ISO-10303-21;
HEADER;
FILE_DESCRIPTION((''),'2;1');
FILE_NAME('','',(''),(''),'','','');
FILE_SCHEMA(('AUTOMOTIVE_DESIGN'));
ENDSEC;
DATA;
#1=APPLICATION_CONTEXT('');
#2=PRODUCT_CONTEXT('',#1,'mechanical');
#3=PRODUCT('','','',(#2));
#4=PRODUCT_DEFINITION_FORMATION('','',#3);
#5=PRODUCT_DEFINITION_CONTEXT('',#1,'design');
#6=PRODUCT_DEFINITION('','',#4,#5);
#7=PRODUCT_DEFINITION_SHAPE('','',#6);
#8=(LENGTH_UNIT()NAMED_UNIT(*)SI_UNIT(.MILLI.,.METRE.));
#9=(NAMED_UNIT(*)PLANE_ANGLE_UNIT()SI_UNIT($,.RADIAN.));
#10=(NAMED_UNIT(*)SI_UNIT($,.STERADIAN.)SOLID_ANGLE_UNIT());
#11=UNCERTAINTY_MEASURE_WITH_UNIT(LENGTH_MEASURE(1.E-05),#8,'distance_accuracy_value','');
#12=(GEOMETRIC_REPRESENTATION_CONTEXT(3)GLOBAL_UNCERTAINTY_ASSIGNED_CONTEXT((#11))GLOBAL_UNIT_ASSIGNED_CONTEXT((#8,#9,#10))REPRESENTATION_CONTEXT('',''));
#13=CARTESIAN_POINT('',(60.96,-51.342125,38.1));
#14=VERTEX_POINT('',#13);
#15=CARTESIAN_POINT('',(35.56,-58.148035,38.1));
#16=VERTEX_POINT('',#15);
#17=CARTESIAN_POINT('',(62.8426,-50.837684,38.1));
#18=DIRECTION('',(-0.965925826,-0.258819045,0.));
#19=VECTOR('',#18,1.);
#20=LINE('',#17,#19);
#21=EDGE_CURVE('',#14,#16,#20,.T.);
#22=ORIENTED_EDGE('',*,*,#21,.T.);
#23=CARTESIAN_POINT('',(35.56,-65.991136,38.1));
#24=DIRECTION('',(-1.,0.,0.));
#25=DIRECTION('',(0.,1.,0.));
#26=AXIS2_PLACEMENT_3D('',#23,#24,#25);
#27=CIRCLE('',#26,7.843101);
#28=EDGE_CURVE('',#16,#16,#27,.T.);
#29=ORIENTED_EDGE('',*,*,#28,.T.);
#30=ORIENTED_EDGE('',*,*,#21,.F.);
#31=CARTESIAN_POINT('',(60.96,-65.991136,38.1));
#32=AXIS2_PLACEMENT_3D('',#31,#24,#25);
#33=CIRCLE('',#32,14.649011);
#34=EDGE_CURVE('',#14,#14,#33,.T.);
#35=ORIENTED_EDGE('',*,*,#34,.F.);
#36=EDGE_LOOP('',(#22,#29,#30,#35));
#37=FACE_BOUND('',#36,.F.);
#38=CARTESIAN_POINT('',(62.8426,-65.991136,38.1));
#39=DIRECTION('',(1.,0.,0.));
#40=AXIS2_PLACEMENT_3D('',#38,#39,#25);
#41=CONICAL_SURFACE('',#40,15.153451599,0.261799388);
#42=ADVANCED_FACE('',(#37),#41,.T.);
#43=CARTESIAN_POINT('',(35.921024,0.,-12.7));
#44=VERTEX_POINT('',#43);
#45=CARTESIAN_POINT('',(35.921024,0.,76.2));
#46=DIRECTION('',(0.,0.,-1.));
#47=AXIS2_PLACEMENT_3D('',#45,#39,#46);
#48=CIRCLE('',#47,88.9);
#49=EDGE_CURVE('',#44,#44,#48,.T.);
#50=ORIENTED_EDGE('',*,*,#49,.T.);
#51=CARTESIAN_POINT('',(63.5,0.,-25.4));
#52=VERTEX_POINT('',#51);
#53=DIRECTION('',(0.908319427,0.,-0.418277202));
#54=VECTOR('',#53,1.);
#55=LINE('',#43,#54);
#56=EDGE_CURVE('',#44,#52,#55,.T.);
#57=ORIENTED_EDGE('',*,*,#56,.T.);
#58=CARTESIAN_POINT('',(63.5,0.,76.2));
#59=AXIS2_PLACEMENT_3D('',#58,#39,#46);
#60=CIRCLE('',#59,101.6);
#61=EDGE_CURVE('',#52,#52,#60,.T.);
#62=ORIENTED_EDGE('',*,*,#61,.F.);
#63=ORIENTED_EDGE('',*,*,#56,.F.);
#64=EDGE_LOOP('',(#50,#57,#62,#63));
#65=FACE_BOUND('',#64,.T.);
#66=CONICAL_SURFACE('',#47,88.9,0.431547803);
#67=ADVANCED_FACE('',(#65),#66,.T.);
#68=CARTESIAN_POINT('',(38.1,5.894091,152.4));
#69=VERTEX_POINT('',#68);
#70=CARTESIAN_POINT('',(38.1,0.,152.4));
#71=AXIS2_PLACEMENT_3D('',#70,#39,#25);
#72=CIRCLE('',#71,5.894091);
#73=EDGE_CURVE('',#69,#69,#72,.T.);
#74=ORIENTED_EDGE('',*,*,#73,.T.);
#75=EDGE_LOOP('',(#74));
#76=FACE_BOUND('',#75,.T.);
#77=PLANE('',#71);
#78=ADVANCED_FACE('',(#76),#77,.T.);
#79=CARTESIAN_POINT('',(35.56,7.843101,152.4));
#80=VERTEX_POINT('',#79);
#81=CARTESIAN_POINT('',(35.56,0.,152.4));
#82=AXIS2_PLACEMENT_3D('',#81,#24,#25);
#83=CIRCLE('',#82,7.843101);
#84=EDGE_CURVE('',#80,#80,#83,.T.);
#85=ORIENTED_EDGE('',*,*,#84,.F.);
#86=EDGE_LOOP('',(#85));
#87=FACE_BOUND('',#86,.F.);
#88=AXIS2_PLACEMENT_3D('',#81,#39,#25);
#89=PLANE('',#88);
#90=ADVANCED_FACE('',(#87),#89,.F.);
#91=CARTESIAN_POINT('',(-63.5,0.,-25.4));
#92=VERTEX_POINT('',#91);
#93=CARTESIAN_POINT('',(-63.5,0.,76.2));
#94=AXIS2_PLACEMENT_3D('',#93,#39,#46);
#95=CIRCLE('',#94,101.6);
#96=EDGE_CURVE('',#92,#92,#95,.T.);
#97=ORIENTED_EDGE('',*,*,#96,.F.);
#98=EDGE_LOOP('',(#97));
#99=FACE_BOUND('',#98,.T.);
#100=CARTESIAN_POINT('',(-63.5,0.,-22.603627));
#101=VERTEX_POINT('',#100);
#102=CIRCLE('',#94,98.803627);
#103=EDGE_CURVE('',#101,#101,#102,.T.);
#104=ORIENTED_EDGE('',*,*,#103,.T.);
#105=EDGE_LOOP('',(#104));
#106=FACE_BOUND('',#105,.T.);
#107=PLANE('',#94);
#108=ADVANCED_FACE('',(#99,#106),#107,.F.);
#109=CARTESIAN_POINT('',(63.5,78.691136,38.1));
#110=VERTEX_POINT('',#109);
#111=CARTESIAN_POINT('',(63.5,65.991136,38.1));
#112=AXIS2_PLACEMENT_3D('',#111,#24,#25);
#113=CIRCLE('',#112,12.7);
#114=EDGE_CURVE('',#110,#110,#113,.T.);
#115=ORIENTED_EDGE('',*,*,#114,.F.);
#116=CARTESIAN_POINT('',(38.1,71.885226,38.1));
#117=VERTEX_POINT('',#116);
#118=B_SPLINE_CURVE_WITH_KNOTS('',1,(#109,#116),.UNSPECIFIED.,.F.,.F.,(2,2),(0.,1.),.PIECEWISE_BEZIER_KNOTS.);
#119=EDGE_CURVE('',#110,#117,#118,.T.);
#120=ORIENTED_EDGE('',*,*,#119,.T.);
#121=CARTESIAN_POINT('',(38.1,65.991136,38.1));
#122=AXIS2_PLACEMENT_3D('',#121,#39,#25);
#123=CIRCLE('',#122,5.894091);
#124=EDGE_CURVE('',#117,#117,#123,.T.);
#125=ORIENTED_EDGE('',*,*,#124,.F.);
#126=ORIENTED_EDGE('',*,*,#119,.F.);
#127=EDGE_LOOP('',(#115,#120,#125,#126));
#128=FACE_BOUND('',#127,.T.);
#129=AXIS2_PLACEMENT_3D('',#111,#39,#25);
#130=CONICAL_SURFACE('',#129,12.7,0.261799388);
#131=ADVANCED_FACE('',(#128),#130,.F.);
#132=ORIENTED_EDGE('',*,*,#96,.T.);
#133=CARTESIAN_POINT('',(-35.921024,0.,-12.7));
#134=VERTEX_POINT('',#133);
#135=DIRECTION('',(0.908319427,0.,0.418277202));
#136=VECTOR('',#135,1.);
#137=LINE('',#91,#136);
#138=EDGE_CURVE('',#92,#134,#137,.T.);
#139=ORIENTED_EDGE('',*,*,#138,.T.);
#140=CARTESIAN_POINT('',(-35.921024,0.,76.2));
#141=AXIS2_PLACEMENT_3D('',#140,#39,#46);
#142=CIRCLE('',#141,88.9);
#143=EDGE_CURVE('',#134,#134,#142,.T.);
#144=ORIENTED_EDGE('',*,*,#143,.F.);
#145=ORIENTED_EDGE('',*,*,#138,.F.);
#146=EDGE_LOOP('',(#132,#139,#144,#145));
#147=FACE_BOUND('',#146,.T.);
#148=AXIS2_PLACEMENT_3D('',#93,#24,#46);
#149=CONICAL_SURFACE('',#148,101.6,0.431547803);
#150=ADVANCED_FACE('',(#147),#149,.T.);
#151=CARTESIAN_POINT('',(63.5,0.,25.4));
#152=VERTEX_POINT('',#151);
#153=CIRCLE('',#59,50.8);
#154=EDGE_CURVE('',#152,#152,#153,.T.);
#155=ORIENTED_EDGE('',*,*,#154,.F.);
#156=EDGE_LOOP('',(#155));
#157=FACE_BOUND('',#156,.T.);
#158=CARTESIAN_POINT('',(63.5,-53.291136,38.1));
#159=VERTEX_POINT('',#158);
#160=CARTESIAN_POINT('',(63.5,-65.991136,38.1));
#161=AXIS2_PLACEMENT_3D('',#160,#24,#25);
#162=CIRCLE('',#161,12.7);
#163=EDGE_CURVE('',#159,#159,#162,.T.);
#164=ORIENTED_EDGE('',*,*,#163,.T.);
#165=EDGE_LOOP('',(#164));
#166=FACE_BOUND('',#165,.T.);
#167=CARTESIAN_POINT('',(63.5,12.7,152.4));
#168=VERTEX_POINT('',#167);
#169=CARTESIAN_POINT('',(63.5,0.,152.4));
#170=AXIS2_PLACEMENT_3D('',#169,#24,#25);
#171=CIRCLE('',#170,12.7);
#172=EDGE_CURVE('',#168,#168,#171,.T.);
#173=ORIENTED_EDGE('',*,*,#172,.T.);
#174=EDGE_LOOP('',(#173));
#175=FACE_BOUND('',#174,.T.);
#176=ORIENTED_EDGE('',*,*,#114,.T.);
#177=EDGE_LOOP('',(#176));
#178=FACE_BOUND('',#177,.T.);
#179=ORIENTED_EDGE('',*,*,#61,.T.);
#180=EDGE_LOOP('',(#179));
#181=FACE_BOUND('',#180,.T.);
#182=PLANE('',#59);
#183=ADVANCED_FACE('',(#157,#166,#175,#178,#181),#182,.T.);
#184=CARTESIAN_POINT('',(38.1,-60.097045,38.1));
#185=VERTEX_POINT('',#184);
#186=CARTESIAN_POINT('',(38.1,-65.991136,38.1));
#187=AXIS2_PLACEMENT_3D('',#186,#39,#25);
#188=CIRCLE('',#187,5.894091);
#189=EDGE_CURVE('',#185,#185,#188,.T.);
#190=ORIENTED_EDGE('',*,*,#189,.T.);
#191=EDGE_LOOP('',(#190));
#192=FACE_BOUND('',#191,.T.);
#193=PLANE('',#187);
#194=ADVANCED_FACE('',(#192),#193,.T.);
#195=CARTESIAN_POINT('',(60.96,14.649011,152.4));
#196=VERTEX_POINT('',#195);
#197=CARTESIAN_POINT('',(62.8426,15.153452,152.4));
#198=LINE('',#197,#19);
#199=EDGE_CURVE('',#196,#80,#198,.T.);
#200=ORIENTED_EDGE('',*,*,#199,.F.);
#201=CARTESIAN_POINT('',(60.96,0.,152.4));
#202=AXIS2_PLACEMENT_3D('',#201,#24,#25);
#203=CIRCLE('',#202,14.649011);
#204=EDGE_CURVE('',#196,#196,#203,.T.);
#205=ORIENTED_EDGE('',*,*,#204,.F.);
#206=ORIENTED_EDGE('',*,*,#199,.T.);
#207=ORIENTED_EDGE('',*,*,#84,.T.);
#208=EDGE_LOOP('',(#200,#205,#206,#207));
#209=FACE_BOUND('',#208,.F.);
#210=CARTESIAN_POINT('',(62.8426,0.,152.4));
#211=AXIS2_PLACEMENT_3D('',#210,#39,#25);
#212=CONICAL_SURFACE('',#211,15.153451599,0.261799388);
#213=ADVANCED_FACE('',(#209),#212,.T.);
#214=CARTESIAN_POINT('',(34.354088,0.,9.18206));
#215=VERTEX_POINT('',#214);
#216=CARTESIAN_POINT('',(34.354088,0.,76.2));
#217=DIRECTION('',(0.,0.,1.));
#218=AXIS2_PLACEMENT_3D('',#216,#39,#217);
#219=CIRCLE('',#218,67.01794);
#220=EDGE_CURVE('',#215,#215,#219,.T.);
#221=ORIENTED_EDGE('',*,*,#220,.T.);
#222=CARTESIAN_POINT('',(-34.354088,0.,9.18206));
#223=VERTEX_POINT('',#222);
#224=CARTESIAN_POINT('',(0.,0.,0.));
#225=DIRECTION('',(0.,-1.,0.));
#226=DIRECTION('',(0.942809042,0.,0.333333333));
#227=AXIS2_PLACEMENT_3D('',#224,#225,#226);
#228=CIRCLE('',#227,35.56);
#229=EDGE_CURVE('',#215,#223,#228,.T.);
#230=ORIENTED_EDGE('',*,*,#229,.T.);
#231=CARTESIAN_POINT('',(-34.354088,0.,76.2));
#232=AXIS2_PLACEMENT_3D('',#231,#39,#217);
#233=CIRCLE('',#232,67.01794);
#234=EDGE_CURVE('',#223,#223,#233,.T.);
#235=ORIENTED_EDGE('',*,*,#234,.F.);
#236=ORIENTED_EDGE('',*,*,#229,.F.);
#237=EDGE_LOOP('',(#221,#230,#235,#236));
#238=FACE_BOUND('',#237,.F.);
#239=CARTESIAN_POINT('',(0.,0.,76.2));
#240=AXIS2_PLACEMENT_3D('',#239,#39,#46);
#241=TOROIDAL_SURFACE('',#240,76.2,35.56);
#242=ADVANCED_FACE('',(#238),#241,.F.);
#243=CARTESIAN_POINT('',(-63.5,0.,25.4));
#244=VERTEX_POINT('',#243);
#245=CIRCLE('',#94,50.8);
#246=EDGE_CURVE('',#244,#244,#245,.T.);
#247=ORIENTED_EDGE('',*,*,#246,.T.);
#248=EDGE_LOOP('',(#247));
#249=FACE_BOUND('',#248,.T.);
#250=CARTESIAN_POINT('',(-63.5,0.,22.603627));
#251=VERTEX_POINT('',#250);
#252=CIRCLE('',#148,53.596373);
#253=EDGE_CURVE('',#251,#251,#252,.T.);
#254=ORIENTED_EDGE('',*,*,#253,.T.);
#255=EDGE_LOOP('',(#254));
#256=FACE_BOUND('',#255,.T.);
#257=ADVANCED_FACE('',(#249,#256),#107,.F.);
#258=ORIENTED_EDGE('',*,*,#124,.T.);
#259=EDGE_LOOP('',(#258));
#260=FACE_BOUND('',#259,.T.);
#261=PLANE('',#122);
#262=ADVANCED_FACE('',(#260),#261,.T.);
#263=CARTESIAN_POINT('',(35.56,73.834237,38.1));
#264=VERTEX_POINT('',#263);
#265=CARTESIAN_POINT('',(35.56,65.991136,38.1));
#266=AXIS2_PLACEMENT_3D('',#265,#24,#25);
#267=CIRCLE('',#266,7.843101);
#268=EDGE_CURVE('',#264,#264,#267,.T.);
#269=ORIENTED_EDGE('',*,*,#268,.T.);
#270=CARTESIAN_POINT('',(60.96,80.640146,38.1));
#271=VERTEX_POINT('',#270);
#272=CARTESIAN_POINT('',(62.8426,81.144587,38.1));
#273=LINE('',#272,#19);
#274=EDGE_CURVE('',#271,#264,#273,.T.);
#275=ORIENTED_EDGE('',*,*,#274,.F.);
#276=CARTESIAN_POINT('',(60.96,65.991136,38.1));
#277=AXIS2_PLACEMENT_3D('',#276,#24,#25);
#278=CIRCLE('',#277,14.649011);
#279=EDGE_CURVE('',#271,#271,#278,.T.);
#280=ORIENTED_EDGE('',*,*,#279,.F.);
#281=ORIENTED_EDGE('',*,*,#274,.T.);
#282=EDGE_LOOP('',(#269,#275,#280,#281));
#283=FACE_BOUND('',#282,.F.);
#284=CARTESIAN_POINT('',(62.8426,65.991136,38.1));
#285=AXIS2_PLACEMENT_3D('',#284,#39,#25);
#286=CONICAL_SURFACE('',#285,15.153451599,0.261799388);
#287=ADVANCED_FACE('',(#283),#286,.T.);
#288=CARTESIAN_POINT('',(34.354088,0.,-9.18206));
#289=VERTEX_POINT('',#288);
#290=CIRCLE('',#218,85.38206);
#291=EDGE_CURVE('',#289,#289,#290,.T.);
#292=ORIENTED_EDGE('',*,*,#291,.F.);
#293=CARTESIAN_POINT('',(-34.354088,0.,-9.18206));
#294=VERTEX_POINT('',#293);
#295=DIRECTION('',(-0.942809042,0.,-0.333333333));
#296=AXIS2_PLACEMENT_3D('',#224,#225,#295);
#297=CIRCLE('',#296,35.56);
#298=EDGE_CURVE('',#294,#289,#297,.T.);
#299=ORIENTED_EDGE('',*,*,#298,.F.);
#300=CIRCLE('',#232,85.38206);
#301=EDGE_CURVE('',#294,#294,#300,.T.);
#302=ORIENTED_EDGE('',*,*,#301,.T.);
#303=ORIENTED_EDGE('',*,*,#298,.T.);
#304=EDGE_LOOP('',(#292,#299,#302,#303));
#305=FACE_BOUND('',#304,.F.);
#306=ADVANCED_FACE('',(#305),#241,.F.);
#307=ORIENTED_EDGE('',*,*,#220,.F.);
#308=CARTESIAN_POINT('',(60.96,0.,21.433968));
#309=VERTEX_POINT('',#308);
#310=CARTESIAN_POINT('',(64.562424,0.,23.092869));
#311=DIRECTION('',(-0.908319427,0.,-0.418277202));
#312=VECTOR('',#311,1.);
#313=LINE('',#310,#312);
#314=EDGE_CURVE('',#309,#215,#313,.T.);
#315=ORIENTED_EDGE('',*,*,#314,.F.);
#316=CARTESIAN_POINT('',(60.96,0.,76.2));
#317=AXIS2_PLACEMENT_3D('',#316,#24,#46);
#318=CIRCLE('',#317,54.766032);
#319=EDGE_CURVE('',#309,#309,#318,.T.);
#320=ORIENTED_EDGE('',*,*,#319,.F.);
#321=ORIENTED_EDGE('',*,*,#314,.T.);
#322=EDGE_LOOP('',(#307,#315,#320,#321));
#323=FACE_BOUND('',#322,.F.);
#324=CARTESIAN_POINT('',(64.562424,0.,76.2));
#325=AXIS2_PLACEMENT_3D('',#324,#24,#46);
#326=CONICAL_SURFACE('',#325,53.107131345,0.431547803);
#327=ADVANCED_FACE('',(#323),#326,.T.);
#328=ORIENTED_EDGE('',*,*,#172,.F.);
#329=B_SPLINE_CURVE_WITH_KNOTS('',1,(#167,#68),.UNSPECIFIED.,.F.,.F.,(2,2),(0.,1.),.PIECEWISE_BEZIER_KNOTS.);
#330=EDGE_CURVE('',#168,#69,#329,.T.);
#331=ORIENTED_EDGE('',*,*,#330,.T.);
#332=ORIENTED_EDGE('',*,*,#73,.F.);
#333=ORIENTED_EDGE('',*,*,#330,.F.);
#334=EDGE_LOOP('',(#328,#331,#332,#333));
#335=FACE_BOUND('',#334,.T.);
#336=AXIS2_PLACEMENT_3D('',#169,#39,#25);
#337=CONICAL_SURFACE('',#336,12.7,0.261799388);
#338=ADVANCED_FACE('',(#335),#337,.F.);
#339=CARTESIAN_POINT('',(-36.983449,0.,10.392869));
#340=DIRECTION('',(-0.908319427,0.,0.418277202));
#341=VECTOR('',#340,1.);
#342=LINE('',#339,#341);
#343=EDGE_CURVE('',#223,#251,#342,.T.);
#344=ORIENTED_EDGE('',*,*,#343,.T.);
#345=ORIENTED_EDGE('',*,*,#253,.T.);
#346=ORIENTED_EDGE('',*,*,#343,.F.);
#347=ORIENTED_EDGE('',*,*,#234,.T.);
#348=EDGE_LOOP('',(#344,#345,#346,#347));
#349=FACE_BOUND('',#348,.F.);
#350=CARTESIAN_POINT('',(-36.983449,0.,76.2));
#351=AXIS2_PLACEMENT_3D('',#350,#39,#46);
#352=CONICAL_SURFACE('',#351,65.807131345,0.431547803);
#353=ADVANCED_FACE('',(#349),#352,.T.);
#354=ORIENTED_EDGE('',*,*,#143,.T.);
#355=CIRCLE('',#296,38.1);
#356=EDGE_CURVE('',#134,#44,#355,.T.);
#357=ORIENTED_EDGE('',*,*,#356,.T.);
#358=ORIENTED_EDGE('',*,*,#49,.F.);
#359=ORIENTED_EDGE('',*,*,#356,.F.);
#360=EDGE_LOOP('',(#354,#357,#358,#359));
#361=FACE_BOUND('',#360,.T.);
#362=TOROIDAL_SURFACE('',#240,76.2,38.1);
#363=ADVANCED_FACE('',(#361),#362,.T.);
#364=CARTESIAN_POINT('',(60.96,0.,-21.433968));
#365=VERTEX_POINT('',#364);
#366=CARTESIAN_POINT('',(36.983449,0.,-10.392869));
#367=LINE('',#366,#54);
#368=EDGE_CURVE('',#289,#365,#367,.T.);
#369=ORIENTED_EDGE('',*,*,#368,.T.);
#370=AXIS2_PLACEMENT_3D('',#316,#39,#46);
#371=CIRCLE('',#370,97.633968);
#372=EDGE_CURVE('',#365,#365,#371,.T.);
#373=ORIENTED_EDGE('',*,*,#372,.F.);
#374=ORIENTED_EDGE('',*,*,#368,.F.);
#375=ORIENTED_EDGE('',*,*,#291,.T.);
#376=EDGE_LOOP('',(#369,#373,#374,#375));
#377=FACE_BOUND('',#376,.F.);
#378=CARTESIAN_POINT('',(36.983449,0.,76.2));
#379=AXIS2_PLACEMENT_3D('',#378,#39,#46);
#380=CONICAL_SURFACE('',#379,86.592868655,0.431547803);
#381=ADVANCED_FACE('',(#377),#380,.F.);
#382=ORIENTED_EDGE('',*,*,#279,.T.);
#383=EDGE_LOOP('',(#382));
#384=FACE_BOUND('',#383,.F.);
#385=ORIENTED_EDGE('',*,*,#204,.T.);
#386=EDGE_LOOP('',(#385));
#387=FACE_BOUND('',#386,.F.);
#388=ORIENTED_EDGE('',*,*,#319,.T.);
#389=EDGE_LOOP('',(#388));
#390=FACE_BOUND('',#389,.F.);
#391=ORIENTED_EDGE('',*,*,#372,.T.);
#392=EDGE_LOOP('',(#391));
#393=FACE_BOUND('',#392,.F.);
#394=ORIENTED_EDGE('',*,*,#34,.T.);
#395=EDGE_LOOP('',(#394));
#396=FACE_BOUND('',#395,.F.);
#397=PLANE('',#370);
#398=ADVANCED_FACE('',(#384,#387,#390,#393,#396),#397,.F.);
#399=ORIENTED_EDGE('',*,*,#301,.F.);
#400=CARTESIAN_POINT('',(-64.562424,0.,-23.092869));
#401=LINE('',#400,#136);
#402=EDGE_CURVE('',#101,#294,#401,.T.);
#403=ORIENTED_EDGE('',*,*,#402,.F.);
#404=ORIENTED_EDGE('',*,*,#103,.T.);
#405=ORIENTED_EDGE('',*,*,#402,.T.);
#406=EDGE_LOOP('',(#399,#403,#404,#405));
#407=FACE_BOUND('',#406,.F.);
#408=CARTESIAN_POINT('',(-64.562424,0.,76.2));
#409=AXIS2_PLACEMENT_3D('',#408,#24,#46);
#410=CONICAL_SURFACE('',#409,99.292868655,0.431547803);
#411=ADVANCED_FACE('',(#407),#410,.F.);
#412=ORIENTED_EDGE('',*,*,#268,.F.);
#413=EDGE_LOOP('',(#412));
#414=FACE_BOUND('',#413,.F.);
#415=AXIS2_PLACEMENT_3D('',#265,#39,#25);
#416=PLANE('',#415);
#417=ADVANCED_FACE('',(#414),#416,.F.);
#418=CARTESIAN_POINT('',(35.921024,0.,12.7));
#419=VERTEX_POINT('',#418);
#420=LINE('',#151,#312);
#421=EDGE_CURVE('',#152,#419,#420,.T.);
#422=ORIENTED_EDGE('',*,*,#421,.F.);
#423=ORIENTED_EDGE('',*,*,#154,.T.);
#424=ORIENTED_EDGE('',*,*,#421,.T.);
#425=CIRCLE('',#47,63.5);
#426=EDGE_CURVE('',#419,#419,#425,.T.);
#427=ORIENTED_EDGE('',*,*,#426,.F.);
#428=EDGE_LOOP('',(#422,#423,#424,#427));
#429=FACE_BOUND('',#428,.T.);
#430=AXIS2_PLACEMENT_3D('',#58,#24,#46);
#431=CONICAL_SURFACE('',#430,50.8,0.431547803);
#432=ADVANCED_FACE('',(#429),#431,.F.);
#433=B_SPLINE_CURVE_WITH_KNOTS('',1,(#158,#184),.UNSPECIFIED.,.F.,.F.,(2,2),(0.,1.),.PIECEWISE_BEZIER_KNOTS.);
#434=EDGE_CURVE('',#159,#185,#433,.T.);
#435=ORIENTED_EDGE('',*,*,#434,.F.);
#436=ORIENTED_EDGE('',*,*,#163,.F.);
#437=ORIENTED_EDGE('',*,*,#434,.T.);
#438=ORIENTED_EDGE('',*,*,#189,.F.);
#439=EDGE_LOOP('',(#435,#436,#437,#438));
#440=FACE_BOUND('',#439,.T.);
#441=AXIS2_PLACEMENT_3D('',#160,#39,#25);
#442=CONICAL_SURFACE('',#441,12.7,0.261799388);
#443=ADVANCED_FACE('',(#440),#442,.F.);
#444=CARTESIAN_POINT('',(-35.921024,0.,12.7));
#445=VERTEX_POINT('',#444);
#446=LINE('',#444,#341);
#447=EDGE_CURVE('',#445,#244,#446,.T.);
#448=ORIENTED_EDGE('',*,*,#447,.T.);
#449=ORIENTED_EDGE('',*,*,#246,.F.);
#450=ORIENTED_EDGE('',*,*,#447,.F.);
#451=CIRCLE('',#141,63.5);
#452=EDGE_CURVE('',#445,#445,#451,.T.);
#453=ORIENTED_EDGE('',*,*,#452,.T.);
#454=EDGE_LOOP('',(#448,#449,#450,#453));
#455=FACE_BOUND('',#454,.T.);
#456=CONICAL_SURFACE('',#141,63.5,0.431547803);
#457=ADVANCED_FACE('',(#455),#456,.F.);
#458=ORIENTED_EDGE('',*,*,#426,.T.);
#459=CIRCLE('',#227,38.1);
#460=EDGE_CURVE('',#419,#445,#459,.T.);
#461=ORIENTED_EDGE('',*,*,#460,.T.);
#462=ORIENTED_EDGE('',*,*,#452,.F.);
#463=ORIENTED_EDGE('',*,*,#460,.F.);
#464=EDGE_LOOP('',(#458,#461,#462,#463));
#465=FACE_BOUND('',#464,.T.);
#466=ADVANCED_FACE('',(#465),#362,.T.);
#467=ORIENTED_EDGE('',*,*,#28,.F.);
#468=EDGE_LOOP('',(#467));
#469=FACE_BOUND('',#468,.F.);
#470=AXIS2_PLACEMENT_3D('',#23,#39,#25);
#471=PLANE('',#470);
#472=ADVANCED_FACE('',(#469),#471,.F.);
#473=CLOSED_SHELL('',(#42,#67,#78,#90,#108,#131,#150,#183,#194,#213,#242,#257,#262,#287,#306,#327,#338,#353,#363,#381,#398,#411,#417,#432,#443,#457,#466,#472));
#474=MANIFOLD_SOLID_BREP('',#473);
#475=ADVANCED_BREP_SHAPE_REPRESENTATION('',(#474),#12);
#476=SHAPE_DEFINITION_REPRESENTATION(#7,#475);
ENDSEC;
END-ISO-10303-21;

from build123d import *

# Parameters (mm, degrees)
F2_R     = 12.7
F3_DEPTH = 25.4
F3_TAPER = 15
F4_T     = -2.54


with BuildPart() as f1:
    # F0 (on Front) → F1 (revolve)
    with BuildSketch(Plane.XZ):
        with BuildLine():
            Line((-63.5, -25.4), (-35.9210244843, -12.7))
            ThreePointArc((-35.9210244843, -12.7), (0, -38.1), (35.9210244843, -12.7))
            Line((35.9210244843, -12.7), (63.5, -25.4))
            Line((63.5, -25.4), (63.5, 25.4))
            Line((63.5, 25.4), (35.9210244843, 12.7))
            ThreePointArc((35.9210244843, 12.7), (0, 38.1), (-35.9210244843, 12.7))
            Line((-35.9210244843, 12.7), (-63.5, 25.4))
            Line((-63.5, 25.4), (-63.5, -25.4))
        make_face()
    revolve(axis=Axis((0, 0, 76.2), (1, 0, 0)))

    # F2 (on face) → F3 (cut)
    with BuildSketch(Plane.YZ.offset(63.5)):
        with Locations((0, 152.4)):
            Circle(F2_R)
        with Locations((-65.9911357684, 38.1)):
            Circle(F2_R)
        with Locations((65.9911357684, 38.1)):
            Circle(F2_R)
    extrude(amount=-F3_DEPTH, taper=F3_TAPER, mode=Mode.SUBTRACT)

    # F4
    f4_openings = [f1.faces().sort_by_distance(p)[0] for p in [
        (-63.5, 0, 129.873682),
    ]]
    offset(amount=F4_T, openings=f4_openings, kind=Kind.INTERSECTION)


solid = f1.part
